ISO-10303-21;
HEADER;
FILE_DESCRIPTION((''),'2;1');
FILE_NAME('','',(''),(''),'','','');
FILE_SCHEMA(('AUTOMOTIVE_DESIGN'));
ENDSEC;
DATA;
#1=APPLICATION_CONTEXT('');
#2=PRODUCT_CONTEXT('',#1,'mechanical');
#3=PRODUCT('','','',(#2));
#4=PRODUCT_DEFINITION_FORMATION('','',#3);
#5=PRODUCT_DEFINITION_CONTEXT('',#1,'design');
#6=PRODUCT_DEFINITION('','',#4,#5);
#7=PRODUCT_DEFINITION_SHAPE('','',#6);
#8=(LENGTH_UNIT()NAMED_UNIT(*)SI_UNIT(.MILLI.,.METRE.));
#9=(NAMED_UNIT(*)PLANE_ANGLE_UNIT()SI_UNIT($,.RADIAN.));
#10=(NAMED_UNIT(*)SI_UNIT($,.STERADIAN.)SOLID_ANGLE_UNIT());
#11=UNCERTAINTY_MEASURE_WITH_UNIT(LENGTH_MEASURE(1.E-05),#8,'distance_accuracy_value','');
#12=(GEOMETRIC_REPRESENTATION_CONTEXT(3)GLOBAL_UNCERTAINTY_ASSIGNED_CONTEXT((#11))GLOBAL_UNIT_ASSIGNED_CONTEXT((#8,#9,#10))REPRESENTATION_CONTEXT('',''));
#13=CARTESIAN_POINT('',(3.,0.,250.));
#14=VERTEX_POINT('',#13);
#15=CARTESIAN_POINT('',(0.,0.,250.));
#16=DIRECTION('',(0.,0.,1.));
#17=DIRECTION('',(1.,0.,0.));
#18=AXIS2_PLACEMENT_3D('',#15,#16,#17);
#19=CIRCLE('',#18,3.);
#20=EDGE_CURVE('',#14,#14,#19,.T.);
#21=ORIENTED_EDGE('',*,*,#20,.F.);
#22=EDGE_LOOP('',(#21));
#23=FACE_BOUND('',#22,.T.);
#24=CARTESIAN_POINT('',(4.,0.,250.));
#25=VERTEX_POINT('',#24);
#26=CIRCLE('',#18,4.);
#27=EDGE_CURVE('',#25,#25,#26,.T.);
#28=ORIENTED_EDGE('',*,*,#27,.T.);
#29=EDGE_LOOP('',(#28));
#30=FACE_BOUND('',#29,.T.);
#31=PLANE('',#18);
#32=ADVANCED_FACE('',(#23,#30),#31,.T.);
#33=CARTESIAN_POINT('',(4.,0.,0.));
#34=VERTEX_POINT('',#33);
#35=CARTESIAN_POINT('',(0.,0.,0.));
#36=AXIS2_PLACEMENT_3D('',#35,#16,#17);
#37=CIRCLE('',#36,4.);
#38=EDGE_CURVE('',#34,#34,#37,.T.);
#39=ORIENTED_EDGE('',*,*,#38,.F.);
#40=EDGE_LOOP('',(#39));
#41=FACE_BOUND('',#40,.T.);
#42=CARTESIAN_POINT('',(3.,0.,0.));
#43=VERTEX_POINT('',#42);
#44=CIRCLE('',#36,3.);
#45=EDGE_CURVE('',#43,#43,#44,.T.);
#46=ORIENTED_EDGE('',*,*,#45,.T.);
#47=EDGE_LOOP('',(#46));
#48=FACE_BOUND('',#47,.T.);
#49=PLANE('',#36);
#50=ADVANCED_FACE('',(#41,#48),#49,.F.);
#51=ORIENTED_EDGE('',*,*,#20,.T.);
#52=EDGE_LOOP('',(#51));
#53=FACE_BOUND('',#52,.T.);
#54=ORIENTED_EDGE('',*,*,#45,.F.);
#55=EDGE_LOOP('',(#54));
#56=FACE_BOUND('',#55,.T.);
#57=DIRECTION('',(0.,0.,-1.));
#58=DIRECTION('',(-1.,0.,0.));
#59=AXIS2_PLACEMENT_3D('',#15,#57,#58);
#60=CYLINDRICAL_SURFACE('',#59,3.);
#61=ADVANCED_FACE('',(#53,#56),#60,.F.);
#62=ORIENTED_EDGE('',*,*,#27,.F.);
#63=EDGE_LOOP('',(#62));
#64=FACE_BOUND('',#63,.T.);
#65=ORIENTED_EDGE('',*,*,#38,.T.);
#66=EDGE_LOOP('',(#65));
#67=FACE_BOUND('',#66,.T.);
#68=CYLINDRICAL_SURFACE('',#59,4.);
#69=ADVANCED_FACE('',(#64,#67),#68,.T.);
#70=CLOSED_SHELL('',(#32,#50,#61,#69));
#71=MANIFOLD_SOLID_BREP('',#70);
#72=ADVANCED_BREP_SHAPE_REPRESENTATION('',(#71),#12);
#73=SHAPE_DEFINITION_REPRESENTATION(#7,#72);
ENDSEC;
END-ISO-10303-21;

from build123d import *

# Parameters (mm, degrees)
SKETCH_1_R      = 4
SKETCH_1_R_2    = 3
EXTRUDE_1_DEPTH = 250


with BuildPart() as part:
    # 草图1 → 凸台-拉伸1 (new body)
    with BuildSketch(Plane.XY):
        Circle(SKETCH_1_R)
        Circle(SKETCH_1_R_2, mode=Mode.SUBTRACT)
    extrude(amount=EXTRUDE_1_DEPTH)


solid = part.part
